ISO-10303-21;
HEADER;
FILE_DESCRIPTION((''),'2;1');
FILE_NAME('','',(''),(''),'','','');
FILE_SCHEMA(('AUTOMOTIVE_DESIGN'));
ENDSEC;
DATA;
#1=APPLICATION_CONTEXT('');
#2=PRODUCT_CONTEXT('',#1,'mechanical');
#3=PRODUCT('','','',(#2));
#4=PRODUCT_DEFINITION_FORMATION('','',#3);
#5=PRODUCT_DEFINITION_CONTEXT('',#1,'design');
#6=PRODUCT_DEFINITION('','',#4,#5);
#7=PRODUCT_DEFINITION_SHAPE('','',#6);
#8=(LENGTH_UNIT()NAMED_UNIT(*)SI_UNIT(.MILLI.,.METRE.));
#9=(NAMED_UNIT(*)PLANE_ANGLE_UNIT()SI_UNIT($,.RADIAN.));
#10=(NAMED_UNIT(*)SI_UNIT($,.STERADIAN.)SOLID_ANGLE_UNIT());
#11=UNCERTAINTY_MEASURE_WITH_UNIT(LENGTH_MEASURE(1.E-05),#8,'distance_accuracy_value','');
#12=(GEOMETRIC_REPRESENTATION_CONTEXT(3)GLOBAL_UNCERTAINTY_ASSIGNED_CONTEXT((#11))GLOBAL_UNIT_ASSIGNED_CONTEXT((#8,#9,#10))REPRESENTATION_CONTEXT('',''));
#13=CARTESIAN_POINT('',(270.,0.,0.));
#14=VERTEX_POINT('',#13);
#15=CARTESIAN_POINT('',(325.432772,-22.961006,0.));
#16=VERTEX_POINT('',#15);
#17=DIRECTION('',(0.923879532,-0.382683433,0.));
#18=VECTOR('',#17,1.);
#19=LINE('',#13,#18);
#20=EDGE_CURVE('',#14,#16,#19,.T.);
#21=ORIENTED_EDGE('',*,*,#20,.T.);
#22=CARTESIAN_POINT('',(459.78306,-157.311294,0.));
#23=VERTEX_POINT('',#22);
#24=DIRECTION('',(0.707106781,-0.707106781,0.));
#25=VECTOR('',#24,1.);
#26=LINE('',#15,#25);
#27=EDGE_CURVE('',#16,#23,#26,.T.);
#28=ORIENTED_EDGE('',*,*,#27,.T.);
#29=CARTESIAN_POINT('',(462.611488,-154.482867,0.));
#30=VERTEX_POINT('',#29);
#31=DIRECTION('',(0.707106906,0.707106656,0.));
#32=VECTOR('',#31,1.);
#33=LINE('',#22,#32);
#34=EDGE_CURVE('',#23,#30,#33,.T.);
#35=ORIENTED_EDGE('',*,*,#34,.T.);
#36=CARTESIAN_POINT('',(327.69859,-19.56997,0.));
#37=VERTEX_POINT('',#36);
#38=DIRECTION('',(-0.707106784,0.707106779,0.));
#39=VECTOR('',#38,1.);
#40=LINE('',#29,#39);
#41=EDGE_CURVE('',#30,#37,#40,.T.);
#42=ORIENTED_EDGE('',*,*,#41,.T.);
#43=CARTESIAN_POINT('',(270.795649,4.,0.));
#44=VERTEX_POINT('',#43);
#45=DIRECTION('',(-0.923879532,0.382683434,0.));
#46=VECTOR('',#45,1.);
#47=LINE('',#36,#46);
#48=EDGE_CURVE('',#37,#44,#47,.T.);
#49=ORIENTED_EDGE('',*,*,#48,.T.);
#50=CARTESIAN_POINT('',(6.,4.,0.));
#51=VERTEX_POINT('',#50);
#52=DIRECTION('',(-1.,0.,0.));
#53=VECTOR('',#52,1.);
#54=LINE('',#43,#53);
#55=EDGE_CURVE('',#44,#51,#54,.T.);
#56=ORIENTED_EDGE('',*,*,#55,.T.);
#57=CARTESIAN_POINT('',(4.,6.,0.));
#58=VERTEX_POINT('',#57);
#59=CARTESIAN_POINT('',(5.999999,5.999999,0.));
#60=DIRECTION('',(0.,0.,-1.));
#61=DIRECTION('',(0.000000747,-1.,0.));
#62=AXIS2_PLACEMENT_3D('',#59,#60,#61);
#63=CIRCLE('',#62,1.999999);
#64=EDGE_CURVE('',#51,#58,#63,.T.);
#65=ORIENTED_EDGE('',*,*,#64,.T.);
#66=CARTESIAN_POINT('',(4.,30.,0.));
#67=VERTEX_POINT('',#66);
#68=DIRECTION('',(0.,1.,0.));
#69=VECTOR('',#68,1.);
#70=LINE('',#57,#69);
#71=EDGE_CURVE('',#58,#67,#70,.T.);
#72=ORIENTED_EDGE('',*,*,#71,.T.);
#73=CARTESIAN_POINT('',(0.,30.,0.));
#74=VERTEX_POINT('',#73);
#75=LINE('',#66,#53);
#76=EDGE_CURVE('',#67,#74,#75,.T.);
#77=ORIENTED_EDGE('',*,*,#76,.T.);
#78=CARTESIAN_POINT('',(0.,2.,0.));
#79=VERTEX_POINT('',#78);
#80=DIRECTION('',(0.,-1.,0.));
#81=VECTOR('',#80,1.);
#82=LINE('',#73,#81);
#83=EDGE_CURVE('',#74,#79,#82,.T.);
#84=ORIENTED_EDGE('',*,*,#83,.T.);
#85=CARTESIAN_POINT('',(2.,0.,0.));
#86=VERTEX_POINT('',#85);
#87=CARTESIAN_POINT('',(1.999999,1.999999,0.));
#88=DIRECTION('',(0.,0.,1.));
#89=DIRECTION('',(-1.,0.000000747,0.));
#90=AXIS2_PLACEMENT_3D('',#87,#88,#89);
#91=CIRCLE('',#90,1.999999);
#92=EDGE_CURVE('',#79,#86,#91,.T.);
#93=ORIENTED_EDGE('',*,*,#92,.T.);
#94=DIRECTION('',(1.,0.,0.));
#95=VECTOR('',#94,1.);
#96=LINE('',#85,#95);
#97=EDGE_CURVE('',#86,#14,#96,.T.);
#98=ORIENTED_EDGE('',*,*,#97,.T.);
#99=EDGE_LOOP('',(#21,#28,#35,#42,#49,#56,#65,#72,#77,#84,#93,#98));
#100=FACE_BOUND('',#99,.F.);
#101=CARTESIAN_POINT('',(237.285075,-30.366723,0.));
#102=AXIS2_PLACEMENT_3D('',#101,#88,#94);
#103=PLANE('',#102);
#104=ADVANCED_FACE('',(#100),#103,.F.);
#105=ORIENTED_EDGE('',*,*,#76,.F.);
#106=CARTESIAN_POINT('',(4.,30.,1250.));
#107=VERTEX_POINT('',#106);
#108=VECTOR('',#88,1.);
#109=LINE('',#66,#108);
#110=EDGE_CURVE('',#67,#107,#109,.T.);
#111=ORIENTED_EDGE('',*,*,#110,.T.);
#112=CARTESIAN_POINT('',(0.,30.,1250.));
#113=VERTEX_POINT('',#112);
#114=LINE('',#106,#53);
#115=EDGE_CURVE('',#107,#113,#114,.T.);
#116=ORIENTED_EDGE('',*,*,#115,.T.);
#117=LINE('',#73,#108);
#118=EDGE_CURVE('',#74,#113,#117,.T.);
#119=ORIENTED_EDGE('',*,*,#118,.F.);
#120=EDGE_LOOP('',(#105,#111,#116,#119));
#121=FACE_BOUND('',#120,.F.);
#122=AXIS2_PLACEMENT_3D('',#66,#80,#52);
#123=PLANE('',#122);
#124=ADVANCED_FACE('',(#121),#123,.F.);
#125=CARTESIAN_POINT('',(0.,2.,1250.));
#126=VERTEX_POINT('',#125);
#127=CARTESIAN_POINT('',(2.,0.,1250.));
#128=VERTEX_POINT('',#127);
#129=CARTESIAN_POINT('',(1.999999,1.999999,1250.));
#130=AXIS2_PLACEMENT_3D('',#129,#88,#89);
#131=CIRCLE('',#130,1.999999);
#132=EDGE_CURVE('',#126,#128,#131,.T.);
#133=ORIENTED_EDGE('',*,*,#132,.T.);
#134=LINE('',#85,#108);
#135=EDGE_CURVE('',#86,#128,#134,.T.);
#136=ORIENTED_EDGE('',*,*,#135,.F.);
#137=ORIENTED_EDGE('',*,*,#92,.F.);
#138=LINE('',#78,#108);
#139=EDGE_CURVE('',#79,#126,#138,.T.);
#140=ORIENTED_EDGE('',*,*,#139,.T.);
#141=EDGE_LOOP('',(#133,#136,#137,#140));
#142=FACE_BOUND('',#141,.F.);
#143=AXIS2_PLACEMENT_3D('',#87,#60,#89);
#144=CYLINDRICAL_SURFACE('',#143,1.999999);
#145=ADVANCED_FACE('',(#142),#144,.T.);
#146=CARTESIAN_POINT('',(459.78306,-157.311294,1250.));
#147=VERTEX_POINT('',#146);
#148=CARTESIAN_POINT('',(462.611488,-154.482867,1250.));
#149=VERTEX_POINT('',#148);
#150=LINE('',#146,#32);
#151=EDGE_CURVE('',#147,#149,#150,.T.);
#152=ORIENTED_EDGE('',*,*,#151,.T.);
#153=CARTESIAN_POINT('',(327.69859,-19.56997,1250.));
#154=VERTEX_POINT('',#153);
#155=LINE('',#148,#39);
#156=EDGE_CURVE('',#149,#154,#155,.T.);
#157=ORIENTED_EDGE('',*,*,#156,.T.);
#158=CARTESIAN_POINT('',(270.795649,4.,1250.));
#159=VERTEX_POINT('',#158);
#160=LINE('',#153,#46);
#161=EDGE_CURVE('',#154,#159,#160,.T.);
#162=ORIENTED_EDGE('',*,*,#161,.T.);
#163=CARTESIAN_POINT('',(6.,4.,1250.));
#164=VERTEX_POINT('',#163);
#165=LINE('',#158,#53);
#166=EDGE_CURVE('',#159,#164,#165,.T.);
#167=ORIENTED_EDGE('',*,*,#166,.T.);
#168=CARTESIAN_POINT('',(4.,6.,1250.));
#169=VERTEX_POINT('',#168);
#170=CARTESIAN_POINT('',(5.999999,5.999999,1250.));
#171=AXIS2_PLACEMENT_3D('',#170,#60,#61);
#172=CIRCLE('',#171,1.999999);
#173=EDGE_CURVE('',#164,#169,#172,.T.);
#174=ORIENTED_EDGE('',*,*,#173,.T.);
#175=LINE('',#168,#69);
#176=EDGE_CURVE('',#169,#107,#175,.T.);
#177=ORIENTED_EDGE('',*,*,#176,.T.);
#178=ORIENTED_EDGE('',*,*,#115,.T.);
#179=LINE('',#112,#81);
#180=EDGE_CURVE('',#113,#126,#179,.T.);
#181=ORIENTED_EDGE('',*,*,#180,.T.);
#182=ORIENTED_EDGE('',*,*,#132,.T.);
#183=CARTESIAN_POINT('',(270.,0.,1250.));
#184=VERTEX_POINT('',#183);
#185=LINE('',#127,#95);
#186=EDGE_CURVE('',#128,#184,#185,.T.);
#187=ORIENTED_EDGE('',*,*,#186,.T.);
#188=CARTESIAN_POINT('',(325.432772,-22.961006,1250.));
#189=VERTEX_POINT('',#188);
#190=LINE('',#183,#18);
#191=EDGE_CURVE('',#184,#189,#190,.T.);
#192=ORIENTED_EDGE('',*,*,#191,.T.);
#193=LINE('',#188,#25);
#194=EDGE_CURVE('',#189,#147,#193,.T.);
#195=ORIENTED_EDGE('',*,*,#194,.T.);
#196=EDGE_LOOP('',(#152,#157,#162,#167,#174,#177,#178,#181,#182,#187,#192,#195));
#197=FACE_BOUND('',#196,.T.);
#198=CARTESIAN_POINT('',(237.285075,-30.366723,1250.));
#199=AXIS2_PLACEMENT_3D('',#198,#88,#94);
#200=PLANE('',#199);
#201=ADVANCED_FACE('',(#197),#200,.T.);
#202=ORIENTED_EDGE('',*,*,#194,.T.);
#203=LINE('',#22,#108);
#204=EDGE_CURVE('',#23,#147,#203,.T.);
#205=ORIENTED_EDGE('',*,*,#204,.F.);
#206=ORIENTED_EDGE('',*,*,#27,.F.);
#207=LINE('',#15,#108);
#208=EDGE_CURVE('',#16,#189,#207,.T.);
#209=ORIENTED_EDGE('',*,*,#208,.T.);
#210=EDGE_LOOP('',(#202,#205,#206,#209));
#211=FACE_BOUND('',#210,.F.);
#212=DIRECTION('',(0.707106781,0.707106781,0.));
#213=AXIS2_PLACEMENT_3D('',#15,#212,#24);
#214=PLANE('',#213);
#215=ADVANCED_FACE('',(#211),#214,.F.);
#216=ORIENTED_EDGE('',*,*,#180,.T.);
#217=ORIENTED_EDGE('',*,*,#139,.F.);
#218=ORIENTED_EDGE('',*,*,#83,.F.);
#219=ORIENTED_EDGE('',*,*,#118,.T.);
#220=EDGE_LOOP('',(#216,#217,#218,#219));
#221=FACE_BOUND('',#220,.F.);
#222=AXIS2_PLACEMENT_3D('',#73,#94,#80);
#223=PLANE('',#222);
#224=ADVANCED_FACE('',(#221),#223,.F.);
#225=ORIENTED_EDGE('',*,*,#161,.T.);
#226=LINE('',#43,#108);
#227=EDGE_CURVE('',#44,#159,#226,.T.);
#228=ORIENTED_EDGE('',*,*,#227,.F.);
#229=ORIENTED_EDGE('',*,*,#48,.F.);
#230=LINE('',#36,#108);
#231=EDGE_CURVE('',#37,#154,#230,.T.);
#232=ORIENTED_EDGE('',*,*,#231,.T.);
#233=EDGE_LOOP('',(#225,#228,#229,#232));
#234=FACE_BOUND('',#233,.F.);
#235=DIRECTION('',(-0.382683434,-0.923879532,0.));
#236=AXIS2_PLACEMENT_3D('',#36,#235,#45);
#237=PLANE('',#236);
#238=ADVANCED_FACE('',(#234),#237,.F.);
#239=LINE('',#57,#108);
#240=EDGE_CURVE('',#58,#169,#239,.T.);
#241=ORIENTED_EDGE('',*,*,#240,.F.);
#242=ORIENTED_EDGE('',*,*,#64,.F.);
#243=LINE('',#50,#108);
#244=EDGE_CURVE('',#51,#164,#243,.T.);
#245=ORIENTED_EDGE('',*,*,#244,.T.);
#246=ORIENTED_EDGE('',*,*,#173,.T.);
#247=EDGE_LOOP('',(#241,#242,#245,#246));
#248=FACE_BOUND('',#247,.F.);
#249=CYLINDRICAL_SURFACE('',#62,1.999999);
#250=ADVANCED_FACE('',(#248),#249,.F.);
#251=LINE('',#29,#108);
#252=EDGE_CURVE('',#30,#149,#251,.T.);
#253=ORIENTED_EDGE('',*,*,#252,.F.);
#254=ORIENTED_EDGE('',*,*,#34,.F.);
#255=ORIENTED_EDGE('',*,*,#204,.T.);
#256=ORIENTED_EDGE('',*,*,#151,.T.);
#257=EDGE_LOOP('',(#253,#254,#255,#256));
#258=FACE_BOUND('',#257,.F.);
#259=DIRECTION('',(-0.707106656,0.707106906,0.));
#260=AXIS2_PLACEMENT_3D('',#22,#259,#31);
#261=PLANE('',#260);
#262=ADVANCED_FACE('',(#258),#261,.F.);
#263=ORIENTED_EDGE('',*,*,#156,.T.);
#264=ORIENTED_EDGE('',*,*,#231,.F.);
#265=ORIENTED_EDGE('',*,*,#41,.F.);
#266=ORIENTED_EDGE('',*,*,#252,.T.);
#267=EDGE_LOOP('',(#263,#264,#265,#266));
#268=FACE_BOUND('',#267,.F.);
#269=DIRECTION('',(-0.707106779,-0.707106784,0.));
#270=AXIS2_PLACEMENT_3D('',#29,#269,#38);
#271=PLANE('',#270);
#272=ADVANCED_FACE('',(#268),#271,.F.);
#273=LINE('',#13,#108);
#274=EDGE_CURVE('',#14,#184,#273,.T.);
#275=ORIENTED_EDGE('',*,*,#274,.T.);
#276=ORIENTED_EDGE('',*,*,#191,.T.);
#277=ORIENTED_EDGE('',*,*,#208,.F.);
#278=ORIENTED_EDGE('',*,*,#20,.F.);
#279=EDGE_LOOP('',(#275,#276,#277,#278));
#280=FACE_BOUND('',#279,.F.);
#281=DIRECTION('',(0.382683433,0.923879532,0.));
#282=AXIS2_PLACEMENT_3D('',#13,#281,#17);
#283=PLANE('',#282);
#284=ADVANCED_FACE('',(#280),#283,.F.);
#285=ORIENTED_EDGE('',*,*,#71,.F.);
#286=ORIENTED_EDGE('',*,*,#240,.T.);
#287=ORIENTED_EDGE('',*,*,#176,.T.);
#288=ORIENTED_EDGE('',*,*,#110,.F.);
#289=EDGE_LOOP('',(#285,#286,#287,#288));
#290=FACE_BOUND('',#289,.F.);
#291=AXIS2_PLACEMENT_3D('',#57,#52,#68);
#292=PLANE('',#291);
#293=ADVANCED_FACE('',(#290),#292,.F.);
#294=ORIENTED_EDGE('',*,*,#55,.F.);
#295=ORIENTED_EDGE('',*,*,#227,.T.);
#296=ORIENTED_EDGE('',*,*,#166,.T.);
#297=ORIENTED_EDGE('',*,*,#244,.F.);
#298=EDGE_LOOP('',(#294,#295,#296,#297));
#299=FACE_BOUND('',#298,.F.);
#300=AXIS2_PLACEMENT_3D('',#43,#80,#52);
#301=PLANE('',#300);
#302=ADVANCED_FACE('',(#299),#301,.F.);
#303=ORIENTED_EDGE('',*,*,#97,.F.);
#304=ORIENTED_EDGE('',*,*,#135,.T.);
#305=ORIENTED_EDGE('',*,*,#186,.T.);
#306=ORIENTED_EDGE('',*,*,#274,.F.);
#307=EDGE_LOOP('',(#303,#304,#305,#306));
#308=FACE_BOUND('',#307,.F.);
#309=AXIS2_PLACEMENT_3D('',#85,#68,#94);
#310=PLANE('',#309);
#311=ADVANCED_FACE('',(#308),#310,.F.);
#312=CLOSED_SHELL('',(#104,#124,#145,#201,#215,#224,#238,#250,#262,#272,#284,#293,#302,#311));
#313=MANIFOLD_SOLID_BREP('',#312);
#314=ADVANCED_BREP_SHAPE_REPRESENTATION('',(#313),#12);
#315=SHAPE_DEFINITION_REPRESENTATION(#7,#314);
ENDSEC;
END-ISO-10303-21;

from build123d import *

# Parameters (mm, degrees)
F1_DEPTH = 1250


with BuildPart() as f1:
    # F0 (on Top) → F1 (new body)
    with BuildSketch(Plane.XY):
        with BuildLine():
            ThreePointArc((0, 2), (0.585786, 0.585786), (2, 0))
            Line((2, 0), (270, 0))
            Line((270, 0), (325.432772, -22.961006))
            Line((325.432772, -22.961006), (459.78306, -157.311294))
            Line((459.78306, -157.311294), (462.611488, -154.482867))
            Line((462.611488, -154.482867), (327.69859, -19.56997))
            Line((327.69859, -19.56997), (270.795649, 4))
            Line((270.795649, 4), (6, 4))
            ThreePointArc((6, 4), (4.585786, 4.585786), (4, 6))
            Line((4, 6), (4, 30))
            Line((4, 30), (0, 30))
            Line((0, 30), (0, 2))
        make_face()
    extrude(amount=F1_DEPTH)


solid = f1.part
